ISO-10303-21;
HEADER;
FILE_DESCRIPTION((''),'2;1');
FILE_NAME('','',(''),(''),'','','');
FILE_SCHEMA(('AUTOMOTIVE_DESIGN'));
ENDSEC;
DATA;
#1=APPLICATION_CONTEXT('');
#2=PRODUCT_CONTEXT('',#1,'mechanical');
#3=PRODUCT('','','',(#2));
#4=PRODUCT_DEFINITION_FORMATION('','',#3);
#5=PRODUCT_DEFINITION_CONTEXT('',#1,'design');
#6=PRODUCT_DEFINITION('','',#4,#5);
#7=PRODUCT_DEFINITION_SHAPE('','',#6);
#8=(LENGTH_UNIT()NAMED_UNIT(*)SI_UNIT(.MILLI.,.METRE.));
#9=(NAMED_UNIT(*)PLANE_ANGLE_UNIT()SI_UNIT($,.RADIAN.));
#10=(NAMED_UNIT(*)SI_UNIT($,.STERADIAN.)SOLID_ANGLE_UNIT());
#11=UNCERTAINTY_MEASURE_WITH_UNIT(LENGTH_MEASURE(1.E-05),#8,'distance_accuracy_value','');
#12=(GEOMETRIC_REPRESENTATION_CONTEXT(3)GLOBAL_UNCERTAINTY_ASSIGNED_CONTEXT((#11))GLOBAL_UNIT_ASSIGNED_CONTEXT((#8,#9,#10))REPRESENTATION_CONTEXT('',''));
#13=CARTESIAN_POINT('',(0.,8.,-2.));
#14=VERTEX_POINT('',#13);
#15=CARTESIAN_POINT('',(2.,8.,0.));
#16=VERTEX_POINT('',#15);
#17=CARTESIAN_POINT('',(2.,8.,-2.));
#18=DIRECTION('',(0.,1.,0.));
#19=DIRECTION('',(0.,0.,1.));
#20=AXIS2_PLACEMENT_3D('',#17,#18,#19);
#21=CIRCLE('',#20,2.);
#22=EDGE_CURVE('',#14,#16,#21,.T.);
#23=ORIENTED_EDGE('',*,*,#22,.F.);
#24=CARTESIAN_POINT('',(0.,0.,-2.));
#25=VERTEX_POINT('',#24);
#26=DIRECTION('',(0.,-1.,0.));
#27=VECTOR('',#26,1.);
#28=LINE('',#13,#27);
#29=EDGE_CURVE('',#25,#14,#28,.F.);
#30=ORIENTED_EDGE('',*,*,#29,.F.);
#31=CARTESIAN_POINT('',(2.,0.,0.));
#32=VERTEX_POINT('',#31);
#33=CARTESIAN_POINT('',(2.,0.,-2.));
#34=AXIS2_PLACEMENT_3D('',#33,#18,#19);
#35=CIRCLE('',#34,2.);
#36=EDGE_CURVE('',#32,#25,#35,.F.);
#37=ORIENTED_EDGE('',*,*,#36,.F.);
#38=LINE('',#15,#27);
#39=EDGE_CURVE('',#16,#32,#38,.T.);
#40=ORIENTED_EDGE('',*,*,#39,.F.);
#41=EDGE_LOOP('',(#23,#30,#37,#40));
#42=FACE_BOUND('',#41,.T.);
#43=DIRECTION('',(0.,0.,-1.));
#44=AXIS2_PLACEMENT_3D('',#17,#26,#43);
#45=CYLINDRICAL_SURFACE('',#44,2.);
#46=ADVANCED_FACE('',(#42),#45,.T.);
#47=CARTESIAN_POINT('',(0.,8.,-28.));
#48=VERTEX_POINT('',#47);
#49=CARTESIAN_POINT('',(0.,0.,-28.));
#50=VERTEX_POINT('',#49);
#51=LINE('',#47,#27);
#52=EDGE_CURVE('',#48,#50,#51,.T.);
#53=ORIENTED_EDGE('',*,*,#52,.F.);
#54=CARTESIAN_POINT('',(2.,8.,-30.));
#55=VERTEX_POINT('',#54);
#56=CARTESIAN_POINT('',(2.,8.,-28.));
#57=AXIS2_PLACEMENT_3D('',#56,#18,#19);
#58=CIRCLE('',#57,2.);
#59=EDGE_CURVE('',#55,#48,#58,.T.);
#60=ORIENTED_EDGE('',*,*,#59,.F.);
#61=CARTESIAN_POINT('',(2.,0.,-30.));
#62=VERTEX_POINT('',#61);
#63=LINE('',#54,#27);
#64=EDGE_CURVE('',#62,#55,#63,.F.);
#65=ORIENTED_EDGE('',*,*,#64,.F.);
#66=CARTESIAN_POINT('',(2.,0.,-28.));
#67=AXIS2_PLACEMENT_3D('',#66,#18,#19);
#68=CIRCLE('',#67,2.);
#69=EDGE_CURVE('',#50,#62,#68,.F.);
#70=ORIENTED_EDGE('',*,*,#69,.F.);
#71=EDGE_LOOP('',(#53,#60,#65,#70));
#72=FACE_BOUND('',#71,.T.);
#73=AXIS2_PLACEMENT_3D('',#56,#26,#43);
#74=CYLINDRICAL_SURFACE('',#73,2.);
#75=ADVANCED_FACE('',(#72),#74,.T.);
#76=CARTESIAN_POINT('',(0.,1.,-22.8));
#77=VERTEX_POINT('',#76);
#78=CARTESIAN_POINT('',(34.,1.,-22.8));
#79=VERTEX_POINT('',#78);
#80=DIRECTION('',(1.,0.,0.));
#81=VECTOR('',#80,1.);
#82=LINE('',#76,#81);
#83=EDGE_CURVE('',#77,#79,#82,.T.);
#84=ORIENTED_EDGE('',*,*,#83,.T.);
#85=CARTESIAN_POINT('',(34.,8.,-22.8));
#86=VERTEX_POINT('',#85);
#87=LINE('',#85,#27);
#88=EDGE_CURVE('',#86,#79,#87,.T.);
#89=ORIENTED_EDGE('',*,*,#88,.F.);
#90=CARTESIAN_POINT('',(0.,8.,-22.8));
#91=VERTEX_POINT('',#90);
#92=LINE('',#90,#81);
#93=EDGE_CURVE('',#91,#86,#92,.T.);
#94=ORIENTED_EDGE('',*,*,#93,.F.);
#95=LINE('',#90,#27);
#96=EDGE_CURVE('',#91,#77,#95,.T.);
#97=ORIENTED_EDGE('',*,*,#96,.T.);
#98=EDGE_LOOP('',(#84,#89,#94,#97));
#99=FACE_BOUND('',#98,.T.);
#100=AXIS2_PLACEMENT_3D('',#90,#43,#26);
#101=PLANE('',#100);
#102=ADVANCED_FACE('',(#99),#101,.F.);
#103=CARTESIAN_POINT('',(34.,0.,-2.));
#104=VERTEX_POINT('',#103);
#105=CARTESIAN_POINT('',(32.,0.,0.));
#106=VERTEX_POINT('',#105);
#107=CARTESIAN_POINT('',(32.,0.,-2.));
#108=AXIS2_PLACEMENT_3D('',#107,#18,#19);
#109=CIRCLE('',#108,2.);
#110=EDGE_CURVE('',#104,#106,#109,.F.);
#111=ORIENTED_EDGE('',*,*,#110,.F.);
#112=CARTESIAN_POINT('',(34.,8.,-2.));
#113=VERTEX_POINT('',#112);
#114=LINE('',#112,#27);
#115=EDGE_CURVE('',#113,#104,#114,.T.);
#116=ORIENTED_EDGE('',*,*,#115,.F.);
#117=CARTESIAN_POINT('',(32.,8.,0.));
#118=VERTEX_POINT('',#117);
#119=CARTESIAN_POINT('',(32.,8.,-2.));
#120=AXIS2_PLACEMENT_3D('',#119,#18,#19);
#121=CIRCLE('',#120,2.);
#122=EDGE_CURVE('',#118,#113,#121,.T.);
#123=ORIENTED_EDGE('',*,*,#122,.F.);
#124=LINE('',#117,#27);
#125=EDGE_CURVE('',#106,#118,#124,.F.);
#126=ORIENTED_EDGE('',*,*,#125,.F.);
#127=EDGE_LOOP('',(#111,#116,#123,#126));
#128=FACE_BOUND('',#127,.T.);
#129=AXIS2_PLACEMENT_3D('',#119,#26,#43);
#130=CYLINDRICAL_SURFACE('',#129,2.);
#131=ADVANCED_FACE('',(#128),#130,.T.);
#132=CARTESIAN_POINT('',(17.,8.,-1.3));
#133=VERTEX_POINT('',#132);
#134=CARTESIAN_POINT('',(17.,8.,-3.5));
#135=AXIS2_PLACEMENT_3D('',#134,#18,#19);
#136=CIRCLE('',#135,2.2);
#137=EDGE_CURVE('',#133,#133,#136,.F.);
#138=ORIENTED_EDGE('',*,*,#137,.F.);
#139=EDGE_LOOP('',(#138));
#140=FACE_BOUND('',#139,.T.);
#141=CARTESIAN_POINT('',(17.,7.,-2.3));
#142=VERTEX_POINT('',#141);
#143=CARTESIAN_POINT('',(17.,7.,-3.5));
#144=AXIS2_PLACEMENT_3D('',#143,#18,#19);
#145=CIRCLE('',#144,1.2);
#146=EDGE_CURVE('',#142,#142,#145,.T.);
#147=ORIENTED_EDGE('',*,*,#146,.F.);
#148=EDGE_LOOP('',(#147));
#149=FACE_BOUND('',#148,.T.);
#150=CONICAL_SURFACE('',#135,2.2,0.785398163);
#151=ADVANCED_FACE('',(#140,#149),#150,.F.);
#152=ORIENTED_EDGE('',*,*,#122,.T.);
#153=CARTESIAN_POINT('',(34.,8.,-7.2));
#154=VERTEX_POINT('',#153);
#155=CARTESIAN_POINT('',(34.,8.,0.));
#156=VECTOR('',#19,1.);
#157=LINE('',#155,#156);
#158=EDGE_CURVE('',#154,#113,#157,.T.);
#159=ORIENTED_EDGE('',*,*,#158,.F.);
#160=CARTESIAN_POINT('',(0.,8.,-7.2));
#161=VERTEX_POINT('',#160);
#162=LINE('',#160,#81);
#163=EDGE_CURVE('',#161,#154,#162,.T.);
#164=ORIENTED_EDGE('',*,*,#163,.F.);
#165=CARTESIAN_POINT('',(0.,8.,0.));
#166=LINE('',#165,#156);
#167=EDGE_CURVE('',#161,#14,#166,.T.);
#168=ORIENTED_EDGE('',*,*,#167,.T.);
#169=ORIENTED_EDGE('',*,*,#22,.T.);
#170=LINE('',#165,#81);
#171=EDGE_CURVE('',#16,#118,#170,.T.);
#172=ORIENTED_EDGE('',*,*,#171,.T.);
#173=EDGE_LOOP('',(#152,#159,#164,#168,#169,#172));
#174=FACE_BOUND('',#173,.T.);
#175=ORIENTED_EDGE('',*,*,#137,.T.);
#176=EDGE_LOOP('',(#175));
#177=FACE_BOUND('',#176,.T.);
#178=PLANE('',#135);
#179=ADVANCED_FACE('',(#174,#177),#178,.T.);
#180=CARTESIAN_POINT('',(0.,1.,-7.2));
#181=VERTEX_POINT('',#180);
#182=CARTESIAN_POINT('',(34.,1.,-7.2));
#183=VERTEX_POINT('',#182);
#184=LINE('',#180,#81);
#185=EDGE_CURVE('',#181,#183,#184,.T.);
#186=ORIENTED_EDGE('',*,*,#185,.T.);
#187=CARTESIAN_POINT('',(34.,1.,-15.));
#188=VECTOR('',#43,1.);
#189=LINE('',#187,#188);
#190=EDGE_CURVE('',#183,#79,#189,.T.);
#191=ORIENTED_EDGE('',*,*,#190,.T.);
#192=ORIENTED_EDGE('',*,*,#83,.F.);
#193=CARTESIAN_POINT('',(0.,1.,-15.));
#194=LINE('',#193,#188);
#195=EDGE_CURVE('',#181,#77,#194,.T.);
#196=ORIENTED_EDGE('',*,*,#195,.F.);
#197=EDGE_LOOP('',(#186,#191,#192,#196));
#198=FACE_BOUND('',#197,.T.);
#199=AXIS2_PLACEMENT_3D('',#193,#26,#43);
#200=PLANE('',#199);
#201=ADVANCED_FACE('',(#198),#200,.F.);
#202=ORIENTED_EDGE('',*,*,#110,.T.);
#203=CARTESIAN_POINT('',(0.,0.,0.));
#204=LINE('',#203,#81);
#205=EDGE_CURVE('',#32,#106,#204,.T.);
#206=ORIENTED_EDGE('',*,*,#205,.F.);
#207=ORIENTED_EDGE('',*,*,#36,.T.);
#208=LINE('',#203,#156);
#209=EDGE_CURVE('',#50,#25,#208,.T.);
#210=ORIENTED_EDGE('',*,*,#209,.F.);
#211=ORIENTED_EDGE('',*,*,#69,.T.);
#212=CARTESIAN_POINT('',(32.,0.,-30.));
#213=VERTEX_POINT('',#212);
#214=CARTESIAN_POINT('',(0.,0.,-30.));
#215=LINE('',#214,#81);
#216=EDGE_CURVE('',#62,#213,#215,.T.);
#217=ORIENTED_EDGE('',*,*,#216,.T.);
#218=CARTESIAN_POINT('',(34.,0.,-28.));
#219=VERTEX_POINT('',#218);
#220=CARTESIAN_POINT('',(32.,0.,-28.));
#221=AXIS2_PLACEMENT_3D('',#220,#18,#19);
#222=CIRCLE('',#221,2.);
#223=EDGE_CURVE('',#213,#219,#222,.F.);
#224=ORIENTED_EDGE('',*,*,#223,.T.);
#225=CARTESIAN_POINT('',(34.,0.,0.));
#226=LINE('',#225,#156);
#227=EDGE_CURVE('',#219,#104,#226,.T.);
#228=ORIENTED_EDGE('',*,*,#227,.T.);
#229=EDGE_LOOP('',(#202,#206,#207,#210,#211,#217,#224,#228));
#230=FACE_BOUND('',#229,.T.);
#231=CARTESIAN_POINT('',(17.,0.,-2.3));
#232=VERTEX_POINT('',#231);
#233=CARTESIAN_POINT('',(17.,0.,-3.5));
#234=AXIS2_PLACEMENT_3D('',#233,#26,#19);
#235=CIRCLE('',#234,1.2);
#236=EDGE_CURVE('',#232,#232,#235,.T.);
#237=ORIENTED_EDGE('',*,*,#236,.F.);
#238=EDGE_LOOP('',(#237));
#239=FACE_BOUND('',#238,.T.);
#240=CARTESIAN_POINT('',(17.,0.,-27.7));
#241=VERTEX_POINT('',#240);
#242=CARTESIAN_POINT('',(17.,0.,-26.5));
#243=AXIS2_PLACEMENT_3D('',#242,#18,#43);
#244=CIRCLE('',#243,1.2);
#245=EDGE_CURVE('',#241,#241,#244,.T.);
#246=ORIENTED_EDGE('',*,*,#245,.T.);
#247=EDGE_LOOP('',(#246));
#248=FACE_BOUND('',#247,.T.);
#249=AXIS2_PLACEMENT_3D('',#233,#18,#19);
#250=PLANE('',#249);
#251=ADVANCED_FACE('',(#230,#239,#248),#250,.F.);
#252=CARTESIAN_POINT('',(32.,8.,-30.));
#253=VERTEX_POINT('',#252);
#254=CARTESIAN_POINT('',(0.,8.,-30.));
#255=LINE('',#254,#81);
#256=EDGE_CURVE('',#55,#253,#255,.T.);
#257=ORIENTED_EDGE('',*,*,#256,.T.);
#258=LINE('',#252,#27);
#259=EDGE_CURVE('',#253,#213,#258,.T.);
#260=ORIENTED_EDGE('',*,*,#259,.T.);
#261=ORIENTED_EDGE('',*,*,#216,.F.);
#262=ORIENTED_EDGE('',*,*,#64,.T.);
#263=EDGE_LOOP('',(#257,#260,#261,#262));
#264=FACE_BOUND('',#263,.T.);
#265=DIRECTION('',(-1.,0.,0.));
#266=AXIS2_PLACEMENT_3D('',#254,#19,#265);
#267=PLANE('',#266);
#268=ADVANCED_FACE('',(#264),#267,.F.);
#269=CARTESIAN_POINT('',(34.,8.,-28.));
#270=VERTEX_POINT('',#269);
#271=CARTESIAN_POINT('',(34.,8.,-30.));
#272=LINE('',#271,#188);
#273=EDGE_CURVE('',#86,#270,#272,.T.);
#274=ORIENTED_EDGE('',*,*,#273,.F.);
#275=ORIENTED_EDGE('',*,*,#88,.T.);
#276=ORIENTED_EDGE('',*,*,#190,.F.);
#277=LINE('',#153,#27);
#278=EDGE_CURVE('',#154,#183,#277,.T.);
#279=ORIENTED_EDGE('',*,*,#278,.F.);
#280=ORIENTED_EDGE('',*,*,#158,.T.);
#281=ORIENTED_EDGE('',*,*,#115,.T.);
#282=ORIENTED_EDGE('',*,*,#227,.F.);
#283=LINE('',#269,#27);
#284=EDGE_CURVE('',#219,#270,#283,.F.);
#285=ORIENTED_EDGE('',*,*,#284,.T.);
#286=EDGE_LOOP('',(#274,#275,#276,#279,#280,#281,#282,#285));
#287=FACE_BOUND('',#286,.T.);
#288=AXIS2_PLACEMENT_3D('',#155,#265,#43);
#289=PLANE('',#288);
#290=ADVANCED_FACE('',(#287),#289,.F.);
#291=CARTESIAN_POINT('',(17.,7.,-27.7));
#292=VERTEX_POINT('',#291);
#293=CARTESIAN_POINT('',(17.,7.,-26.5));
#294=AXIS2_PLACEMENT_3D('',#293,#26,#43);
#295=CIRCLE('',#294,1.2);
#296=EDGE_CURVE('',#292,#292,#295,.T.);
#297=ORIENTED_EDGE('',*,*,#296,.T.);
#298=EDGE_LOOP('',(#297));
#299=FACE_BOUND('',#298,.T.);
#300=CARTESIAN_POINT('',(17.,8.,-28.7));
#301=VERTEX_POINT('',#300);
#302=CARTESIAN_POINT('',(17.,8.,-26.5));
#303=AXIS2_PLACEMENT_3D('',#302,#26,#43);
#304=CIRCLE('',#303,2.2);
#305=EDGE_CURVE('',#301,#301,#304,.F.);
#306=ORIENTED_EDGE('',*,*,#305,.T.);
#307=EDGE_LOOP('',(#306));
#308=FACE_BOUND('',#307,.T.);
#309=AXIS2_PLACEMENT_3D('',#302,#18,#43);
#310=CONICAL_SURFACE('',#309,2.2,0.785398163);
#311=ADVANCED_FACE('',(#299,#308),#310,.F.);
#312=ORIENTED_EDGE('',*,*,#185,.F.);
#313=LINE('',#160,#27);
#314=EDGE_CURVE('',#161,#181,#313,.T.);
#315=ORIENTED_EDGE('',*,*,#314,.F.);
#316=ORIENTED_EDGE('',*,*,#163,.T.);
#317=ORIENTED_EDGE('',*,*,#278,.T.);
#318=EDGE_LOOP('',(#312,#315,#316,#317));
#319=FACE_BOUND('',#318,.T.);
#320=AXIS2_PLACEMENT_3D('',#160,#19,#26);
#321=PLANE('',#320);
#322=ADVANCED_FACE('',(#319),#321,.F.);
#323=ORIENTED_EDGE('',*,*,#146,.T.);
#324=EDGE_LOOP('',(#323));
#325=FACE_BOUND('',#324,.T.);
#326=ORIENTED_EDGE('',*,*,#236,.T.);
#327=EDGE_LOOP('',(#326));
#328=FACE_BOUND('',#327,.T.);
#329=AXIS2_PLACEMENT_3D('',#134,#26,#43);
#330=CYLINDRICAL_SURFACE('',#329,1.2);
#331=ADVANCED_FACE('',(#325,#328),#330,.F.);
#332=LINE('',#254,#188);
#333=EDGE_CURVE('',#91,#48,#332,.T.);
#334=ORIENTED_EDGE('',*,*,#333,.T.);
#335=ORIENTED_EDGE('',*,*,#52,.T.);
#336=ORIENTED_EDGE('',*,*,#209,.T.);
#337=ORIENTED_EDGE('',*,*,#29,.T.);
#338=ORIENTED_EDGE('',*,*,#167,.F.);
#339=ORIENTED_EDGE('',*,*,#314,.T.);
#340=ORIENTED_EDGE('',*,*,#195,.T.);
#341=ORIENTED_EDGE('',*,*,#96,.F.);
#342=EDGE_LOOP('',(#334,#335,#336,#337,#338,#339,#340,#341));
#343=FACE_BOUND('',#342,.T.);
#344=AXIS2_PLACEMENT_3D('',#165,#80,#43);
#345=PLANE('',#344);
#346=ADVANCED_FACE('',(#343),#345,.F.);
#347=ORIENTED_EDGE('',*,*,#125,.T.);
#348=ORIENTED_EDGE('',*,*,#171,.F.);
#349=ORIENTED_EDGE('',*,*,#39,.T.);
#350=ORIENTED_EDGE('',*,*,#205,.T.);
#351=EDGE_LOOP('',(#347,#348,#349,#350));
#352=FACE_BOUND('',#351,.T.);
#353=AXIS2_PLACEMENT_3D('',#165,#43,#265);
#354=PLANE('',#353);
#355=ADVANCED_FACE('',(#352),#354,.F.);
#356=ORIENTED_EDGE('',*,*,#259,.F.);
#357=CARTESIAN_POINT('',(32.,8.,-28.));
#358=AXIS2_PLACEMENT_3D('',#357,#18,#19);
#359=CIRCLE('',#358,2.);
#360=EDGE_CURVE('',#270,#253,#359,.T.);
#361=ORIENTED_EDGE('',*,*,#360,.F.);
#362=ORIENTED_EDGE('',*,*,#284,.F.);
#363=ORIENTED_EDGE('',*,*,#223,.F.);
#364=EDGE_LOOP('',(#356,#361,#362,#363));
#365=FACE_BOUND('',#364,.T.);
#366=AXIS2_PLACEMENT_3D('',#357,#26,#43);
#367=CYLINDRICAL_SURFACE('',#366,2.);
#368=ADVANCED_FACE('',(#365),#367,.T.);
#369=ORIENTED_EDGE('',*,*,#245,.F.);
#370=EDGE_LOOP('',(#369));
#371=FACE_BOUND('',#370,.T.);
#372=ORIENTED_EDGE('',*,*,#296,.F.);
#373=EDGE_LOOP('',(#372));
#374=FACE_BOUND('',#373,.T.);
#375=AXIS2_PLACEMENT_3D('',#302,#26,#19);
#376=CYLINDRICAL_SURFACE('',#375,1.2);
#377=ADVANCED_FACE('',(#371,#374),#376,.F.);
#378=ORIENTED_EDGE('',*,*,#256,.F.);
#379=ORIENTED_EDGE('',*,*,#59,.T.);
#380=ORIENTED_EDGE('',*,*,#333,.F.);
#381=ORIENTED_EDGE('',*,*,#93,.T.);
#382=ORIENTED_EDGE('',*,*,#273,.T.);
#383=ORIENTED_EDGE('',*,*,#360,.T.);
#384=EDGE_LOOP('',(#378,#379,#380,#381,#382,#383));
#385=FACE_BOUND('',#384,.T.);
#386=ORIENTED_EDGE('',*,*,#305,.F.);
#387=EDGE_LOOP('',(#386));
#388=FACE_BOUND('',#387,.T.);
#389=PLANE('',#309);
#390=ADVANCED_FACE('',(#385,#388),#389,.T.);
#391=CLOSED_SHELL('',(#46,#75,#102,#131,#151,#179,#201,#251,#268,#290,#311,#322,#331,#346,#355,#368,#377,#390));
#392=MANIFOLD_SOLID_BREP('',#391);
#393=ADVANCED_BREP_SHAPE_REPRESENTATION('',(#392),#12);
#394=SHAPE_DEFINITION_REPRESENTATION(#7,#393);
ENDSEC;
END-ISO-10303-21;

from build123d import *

# Parameters (mm, degrees)
BOSS_EXTRUDE1_DEPTH = 8
SKETCH2_W           = 7.8
SKETCH2_H           = 7
CUT_EXTRUDE1_DEPTH  = 25.04163056
CHAMFER1_SIZE       = 1
FILLET1_R           = 2


with BuildPart() as part:
    # Sketch1 → Boss-Extrude1 (new body)
    with BuildSketch(Plane(origin=(0, 0, 0), x_dir=(1, 0, 0), z_dir=(0, 1, 0))):
        with BuildLine():
            Line((17, 4.7), (17, 15))
            Line((17, 15), (0, 15))
            Line((0, 15), (0, 0))
            Line((0, 0), (17, 0))
            Line((17, 0), (17, 2.3))
            ThreePointArc((17, 2.3), (15.8, 3.5), (17, 4.7))
        make_face()
    extrude(amount=BOSS_EXTRUDE1_DEPTH)

    # Sketch2 → Cut-Extrude1 (cut, through all)
    with BuildSketch(Plane(origin=(17, 0, 0), x_dir=(0, 0, -1), z_dir=(1, 0, 0))):
        with Locations((11.1, 4.5)):
            Rectangle(SKETCH2_W, SKETCH2_H)
    extrude(amount=-CUT_EXTRUDE1_DEPTH, mode=Mode.SUBTRACT)

    # Chamfer1
    chamfer1_edges = [part.edges().sort_by_distance(p)[0] for p in [
        (15.8, 8, -3.5),
    ]]
    chamfer(chamfer1_edges, length=CHAMFER1_SIZE)

    # Mirror1: part across plane


with BuildPart() as part_1:
    add(part.part)
    add(part.part.mirror(Plane(origin=(17, 8, -4.7), x_dir=(0, 0, 1), z_dir=(-1, 0, 0))))

    # Mirror2: part across plane


with BuildPart() as part_2:
    add(part_1.part)
    add(part_1.part.mirror(Plane(origin=(0, 8, -15), x_dir=(1, 0, 0), z_dir=(0, 0, 1))))

    # Fillet1
    fillet1_edges = [part_2.edges().sort_by_distance(p)[0] for p in [
        (0, 4, 0),
        (34, 4, 0),
        (0, 4, -30),
        (34, 4, -30),
    ]]
    fillet(fillet1_edges, radius=FILLET1_R)


solid = part_2.part
